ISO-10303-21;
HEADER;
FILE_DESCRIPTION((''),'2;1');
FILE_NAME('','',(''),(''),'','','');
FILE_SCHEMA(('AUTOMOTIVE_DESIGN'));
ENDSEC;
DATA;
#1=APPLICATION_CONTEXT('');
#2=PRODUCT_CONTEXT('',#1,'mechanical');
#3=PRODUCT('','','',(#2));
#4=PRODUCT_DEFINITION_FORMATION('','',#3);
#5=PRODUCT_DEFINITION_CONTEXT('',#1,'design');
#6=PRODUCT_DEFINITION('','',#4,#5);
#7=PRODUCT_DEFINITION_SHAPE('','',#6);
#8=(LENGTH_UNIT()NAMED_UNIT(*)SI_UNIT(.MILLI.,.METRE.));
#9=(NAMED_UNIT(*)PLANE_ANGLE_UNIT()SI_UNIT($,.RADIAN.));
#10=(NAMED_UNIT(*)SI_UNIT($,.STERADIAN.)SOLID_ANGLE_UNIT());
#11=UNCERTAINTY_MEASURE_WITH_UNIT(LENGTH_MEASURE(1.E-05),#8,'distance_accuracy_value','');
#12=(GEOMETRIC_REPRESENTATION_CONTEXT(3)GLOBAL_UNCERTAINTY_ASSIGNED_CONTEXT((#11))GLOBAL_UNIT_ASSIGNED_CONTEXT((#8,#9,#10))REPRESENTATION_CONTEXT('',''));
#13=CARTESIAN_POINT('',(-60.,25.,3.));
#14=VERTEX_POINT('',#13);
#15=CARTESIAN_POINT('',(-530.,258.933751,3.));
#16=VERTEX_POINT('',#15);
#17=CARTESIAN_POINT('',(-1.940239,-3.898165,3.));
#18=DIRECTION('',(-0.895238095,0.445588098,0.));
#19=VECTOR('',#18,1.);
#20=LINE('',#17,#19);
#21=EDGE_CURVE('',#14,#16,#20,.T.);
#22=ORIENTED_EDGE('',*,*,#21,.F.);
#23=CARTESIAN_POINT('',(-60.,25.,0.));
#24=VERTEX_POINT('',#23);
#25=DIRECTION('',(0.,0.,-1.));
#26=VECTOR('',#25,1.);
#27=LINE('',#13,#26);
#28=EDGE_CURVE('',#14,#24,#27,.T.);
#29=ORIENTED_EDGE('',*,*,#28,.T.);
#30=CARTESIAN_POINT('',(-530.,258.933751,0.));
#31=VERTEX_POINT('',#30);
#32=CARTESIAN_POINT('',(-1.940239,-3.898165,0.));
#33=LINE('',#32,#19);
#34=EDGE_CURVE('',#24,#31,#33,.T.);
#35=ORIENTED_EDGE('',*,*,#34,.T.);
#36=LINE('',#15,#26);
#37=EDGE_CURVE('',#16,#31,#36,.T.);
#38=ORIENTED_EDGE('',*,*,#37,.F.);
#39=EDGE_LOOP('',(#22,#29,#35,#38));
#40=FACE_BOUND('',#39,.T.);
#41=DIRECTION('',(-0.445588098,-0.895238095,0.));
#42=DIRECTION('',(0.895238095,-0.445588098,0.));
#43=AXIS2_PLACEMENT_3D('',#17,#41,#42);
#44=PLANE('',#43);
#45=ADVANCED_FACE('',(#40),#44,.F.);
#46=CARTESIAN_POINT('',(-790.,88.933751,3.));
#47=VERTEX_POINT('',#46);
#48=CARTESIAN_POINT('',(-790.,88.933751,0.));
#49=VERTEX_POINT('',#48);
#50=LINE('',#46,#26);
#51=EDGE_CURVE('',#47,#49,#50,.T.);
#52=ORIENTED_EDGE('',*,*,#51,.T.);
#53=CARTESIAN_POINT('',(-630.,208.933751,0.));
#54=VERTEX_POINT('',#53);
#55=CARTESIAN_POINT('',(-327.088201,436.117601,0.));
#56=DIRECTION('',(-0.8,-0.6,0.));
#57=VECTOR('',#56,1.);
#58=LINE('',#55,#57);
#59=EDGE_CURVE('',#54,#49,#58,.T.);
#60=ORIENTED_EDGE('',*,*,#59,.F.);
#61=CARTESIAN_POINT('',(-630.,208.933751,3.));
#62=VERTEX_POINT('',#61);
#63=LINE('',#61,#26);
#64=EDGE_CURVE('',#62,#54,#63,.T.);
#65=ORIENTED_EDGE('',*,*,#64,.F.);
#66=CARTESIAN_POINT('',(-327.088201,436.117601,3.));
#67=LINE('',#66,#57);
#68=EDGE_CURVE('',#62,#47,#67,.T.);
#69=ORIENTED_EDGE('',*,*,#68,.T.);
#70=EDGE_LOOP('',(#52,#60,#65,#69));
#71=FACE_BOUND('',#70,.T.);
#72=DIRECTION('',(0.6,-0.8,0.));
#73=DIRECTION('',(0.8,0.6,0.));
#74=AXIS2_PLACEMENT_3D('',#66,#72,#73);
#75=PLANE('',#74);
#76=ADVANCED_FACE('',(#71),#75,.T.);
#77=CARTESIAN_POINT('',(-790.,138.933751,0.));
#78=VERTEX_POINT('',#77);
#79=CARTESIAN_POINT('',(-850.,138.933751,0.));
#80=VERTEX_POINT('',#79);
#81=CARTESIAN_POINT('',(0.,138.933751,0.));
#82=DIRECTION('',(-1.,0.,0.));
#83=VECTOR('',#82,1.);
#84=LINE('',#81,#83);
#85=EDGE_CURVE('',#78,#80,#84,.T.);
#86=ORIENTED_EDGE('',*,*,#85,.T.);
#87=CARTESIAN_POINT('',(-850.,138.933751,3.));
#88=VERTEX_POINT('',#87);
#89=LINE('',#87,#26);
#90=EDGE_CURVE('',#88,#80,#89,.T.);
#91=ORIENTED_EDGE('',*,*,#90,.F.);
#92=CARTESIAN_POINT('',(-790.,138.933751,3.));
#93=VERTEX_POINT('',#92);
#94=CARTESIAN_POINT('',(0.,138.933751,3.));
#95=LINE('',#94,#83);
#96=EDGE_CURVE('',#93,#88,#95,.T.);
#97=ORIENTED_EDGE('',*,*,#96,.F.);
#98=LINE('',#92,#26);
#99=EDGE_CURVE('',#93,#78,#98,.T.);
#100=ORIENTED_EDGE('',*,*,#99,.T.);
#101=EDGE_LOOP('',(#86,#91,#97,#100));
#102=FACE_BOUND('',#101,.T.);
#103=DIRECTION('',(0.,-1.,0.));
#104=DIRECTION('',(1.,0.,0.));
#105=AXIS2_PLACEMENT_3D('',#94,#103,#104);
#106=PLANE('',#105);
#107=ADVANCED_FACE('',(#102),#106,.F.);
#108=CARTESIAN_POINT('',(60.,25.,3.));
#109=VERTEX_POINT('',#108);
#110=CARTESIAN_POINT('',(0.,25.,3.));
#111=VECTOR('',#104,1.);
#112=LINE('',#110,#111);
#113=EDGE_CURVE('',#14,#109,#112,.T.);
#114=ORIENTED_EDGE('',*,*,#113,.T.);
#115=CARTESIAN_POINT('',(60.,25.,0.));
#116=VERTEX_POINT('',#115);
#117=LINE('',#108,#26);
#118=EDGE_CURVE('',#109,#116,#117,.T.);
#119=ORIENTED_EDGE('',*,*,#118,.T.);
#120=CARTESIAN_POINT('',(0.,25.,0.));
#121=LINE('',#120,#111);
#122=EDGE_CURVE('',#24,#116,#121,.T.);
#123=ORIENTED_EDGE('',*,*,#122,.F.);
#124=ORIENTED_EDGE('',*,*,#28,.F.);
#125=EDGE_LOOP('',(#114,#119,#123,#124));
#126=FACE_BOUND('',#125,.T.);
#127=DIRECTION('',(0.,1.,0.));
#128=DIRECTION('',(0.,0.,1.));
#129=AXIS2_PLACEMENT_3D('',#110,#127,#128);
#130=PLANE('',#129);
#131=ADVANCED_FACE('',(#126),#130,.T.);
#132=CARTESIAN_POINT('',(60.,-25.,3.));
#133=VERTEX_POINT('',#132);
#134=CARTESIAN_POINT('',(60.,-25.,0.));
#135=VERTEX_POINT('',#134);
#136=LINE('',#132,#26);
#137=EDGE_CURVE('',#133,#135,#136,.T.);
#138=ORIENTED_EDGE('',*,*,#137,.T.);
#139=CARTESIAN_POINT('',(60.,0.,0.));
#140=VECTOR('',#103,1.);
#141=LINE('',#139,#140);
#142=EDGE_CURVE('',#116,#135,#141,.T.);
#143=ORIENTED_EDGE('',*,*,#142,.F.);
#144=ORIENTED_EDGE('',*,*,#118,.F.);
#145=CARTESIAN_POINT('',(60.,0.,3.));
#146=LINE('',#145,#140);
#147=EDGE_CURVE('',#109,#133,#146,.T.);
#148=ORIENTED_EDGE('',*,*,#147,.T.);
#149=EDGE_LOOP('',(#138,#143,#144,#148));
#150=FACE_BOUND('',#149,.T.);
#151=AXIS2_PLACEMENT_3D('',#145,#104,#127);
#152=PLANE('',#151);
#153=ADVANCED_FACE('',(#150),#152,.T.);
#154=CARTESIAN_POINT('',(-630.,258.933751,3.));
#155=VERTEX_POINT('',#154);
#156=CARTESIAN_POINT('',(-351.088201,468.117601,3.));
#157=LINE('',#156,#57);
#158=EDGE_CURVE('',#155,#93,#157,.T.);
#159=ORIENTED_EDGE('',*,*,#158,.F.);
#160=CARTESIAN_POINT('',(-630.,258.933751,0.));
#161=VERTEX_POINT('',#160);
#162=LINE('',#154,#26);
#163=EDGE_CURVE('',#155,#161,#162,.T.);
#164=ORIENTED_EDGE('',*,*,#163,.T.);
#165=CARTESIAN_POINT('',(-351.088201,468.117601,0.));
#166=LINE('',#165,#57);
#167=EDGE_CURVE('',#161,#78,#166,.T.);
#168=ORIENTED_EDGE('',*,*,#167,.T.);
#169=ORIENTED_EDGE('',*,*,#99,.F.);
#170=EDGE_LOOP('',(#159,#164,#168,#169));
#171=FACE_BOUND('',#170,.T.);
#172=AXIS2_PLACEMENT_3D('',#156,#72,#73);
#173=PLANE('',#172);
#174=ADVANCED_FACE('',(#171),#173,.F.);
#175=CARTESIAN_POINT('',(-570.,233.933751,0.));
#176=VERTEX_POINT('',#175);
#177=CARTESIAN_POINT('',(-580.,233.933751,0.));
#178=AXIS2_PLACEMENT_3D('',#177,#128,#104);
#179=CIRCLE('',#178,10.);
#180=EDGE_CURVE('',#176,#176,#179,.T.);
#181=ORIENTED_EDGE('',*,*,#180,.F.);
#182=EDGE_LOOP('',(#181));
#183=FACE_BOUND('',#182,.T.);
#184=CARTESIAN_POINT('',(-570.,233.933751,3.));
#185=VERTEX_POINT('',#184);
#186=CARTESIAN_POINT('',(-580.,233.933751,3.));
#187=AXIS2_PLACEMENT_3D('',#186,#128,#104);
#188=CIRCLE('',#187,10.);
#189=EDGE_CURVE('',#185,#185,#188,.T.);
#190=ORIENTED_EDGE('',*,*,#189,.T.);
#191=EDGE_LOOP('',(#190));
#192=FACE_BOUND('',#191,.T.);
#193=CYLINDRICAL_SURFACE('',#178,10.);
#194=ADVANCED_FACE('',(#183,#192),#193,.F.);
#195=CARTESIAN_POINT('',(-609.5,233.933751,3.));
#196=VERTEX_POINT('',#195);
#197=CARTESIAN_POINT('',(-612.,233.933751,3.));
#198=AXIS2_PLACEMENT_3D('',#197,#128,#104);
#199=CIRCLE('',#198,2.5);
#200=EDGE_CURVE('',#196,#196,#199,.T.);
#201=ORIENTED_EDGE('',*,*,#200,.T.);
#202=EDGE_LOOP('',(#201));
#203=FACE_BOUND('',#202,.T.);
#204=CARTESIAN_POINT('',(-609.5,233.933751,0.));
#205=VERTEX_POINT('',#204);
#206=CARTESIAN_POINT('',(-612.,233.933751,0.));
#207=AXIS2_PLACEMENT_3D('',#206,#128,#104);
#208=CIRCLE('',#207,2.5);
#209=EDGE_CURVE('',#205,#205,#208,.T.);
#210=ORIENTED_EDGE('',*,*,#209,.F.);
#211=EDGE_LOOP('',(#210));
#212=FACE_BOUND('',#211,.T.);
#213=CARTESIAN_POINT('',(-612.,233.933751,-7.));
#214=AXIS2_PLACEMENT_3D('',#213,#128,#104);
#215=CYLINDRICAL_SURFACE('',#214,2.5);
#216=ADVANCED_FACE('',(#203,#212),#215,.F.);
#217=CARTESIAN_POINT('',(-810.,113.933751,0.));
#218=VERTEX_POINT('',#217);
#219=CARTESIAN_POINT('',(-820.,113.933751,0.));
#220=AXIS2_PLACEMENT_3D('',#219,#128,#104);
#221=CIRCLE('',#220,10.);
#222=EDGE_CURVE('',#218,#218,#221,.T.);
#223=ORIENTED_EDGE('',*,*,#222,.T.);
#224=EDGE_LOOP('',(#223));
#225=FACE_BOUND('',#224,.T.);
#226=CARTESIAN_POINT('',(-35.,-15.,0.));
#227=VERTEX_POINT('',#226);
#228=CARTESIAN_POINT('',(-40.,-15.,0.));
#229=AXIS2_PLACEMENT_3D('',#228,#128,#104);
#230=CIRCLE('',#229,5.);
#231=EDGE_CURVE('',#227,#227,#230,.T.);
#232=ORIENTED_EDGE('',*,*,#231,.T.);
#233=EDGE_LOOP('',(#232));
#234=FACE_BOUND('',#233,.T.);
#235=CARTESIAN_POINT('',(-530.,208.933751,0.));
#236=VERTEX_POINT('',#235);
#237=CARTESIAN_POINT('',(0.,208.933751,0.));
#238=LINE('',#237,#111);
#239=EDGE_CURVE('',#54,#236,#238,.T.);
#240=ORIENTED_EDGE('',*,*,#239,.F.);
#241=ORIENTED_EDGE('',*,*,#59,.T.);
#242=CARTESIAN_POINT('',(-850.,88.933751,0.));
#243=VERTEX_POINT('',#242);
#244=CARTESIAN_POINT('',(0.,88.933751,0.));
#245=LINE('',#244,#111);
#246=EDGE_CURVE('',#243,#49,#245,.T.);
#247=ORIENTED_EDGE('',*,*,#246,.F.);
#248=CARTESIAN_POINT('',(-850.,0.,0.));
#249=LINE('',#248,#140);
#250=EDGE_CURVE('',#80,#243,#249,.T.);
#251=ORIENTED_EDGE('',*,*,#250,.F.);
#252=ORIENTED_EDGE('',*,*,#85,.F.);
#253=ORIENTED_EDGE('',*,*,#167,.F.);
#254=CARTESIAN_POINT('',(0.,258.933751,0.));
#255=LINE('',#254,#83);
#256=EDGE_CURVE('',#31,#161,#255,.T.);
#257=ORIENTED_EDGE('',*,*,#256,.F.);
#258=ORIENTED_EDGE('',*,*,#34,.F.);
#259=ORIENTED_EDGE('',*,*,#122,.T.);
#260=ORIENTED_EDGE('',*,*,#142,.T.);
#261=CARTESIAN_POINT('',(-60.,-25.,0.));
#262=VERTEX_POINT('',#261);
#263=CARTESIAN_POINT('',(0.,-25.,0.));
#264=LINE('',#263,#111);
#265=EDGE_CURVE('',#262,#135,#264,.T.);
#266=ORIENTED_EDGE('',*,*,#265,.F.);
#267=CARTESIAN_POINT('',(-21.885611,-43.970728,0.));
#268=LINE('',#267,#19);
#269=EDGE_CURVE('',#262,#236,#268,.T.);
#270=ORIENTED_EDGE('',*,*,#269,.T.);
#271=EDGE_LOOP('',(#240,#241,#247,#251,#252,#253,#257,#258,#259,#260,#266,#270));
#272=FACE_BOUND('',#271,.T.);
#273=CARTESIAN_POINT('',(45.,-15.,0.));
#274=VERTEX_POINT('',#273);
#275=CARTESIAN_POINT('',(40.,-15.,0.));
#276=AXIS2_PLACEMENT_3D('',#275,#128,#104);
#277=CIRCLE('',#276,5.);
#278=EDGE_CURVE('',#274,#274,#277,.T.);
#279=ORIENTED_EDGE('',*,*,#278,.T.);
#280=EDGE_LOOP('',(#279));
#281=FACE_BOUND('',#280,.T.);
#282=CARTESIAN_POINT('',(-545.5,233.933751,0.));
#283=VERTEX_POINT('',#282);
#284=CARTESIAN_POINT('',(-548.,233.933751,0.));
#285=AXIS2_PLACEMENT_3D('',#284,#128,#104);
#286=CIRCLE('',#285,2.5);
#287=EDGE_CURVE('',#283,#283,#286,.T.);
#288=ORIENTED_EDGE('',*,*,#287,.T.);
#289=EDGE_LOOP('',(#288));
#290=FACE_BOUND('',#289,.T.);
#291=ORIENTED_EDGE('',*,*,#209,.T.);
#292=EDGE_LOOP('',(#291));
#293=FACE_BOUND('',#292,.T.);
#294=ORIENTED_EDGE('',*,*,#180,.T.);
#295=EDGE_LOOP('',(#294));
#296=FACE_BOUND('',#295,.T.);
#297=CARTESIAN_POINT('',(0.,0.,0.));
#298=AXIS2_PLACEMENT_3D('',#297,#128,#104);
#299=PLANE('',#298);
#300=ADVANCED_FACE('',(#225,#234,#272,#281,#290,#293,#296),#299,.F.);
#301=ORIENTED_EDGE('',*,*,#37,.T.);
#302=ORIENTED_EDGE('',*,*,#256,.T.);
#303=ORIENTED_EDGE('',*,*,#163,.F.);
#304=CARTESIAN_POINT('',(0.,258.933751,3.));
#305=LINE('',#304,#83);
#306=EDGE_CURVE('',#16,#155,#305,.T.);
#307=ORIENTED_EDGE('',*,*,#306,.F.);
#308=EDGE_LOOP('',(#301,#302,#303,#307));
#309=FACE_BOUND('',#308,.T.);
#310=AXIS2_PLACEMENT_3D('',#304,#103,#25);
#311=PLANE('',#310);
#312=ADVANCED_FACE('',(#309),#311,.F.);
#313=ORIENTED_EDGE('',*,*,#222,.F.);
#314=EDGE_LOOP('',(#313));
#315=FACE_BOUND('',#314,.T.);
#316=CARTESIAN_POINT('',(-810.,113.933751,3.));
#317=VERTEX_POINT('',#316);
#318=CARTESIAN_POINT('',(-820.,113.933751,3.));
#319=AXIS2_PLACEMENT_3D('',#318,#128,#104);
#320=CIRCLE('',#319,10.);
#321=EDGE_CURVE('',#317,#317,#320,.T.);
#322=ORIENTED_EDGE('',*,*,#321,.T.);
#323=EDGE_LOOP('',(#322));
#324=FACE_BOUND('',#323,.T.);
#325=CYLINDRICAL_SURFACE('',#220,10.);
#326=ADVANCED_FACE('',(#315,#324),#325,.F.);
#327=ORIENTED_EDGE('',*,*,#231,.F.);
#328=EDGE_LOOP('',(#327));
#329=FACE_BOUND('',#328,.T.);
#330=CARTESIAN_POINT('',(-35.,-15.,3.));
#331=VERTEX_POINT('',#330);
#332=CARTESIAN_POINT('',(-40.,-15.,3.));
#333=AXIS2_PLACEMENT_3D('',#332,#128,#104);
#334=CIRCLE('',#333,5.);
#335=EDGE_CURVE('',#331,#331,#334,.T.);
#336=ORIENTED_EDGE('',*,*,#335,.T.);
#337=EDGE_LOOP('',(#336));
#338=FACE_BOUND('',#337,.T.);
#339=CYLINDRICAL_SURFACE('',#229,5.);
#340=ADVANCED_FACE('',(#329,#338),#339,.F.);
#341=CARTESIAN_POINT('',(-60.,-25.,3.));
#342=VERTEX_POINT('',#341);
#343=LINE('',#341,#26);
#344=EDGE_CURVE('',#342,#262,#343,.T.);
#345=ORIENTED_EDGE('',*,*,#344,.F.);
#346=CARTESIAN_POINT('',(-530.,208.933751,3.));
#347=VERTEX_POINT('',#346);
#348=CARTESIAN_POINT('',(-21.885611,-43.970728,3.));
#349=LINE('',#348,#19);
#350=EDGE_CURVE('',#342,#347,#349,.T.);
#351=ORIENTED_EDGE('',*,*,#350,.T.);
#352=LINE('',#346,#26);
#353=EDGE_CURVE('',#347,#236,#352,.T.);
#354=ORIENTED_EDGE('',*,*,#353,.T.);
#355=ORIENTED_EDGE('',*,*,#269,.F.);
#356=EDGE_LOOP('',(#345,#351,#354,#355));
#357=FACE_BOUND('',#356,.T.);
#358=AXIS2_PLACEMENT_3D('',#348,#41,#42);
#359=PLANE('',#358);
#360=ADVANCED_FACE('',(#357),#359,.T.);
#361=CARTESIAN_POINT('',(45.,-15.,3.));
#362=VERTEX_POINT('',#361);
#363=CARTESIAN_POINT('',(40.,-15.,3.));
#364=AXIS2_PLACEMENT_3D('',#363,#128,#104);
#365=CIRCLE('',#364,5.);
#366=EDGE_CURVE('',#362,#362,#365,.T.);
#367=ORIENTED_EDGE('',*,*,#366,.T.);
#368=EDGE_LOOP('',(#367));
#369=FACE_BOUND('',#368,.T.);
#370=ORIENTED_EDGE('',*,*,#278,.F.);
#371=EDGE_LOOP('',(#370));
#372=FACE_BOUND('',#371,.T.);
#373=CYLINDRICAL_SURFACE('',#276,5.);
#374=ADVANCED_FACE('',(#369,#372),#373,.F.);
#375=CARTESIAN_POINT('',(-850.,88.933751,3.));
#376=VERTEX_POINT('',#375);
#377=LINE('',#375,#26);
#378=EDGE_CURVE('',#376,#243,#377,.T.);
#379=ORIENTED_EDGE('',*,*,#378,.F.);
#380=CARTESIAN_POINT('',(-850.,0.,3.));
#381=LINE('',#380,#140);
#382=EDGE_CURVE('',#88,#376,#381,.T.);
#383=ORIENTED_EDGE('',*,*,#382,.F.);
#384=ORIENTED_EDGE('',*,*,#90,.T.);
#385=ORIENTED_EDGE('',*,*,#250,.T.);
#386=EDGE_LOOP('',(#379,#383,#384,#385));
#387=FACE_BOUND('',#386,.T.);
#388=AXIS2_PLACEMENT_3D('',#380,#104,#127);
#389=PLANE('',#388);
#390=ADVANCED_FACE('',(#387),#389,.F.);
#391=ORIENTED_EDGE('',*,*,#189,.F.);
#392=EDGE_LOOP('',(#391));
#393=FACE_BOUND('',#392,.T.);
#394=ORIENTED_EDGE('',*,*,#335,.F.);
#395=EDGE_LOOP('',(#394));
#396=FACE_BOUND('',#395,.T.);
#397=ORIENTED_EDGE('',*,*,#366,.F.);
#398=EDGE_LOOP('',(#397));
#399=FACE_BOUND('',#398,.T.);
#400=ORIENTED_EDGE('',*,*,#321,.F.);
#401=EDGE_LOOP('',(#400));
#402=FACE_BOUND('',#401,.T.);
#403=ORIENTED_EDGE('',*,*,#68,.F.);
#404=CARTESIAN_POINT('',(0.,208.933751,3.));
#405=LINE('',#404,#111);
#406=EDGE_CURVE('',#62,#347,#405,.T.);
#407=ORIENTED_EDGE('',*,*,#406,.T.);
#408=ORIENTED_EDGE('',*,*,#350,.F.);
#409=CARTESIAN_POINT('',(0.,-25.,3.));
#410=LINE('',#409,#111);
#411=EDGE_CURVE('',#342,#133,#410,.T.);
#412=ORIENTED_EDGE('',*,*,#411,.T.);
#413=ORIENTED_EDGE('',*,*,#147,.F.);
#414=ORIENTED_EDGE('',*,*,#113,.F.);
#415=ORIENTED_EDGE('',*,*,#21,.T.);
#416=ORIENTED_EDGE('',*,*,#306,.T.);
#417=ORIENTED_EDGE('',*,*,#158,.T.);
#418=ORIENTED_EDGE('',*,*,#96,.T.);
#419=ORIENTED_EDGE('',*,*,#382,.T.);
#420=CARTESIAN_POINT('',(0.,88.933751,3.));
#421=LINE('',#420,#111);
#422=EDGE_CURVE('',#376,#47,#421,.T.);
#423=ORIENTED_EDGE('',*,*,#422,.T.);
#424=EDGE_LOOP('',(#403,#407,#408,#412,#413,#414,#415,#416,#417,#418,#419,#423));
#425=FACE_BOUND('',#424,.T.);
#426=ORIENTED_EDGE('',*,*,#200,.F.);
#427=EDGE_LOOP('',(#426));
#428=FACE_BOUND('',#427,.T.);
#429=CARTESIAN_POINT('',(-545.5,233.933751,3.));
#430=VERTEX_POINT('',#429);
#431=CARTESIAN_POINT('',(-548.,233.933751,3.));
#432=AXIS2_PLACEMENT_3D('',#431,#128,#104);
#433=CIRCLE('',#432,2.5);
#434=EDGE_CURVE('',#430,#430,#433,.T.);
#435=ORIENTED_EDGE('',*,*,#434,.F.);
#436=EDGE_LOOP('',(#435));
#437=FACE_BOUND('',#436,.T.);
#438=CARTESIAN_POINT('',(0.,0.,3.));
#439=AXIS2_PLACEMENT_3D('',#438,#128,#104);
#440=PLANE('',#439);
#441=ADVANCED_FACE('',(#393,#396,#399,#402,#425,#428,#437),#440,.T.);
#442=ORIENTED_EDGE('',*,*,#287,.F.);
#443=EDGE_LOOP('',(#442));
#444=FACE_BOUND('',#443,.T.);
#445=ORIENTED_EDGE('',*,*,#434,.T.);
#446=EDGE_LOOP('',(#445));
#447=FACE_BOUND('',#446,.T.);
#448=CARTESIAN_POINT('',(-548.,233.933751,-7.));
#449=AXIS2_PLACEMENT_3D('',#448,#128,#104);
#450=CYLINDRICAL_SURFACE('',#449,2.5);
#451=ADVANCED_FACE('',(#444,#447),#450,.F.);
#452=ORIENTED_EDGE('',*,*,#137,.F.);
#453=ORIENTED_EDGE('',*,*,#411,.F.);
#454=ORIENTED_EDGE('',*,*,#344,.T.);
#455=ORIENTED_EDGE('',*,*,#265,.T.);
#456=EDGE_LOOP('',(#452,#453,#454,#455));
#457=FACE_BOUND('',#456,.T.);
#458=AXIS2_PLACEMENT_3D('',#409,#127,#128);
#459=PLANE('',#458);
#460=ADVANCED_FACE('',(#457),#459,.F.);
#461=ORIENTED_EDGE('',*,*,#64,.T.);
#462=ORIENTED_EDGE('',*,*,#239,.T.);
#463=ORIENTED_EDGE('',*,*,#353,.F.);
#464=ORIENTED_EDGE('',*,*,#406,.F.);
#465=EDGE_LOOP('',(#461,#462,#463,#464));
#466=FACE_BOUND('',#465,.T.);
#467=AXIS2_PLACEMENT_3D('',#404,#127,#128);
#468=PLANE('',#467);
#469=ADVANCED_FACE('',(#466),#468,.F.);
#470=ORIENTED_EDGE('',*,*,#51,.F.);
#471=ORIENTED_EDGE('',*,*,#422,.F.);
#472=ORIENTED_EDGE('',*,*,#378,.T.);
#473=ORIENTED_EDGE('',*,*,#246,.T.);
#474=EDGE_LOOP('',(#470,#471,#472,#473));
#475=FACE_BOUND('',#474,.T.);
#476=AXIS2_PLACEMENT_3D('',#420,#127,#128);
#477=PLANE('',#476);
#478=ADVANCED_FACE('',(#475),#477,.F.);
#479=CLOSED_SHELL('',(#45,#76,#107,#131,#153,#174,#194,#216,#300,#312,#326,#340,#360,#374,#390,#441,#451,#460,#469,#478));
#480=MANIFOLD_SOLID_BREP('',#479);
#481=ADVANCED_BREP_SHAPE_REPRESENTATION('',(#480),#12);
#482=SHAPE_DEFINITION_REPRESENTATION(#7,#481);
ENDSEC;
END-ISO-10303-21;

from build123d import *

# Parameters (mm, degrees)
BOSS_EXTRUDE3_DEPTH = 3
SKETCH3_R           = 10
SKETCH3_R_2         = 5
CUT_EXTRUDE1_DEPTH  = 889.569461306
SKETCH4_R           = 2.5
CUT_EXTRUDE2_DEPTH  = 10


with BuildPart() as part:
    # Sketch1 → Boss-Extrude3 (new body)
    with BuildSketch(Plane.XY):
        Polygon((60, 25), (-60, 25), (-530, 258.933751306), (-630, 258.933751306), (-790, 138.933751306), (-850, 138.933751306), (-850, 88.933751306), (-790, 88.933751306), (-630, 208.933751306), (-530, 208.933751306), (-60, -25), (60, -25), align=None)
    extrude(amount=BOSS_EXTRUDE3_DEPTH)

    # Sketch3 → Cut-Extrude1 (cut, through all)
    with BuildSketch(Plane.XY.offset(3)):
        with Locations((-580, 233.933751306)):
            Circle(SKETCH3_R)
        with Locations((-820, 113.933751306)):
            Circle(SKETCH3_R)
        with Locations((40, -15)):
            Circle(SKETCH3_R_2)
        with Locations((-40, -15)):
            Circle(SKETCH3_R_2)
    extrude(amount=-CUT_EXTRUDE1_DEPTH, mode=Mode.SUBTRACT)

    # Sketch4 → Cut-Extrude2 (cut)
    with BuildSketch(Plane.XY.offset(3)):
        with Locations((-548, 233.933751306)):
            Circle(SKETCH4_R)
        with Locations((-612, 233.933751306)):
            Circle(SKETCH4_R)
    extrude(amount=-CUT_EXTRUDE2_DEPTH, mode=Mode.SUBTRACT)


solid = part.part
